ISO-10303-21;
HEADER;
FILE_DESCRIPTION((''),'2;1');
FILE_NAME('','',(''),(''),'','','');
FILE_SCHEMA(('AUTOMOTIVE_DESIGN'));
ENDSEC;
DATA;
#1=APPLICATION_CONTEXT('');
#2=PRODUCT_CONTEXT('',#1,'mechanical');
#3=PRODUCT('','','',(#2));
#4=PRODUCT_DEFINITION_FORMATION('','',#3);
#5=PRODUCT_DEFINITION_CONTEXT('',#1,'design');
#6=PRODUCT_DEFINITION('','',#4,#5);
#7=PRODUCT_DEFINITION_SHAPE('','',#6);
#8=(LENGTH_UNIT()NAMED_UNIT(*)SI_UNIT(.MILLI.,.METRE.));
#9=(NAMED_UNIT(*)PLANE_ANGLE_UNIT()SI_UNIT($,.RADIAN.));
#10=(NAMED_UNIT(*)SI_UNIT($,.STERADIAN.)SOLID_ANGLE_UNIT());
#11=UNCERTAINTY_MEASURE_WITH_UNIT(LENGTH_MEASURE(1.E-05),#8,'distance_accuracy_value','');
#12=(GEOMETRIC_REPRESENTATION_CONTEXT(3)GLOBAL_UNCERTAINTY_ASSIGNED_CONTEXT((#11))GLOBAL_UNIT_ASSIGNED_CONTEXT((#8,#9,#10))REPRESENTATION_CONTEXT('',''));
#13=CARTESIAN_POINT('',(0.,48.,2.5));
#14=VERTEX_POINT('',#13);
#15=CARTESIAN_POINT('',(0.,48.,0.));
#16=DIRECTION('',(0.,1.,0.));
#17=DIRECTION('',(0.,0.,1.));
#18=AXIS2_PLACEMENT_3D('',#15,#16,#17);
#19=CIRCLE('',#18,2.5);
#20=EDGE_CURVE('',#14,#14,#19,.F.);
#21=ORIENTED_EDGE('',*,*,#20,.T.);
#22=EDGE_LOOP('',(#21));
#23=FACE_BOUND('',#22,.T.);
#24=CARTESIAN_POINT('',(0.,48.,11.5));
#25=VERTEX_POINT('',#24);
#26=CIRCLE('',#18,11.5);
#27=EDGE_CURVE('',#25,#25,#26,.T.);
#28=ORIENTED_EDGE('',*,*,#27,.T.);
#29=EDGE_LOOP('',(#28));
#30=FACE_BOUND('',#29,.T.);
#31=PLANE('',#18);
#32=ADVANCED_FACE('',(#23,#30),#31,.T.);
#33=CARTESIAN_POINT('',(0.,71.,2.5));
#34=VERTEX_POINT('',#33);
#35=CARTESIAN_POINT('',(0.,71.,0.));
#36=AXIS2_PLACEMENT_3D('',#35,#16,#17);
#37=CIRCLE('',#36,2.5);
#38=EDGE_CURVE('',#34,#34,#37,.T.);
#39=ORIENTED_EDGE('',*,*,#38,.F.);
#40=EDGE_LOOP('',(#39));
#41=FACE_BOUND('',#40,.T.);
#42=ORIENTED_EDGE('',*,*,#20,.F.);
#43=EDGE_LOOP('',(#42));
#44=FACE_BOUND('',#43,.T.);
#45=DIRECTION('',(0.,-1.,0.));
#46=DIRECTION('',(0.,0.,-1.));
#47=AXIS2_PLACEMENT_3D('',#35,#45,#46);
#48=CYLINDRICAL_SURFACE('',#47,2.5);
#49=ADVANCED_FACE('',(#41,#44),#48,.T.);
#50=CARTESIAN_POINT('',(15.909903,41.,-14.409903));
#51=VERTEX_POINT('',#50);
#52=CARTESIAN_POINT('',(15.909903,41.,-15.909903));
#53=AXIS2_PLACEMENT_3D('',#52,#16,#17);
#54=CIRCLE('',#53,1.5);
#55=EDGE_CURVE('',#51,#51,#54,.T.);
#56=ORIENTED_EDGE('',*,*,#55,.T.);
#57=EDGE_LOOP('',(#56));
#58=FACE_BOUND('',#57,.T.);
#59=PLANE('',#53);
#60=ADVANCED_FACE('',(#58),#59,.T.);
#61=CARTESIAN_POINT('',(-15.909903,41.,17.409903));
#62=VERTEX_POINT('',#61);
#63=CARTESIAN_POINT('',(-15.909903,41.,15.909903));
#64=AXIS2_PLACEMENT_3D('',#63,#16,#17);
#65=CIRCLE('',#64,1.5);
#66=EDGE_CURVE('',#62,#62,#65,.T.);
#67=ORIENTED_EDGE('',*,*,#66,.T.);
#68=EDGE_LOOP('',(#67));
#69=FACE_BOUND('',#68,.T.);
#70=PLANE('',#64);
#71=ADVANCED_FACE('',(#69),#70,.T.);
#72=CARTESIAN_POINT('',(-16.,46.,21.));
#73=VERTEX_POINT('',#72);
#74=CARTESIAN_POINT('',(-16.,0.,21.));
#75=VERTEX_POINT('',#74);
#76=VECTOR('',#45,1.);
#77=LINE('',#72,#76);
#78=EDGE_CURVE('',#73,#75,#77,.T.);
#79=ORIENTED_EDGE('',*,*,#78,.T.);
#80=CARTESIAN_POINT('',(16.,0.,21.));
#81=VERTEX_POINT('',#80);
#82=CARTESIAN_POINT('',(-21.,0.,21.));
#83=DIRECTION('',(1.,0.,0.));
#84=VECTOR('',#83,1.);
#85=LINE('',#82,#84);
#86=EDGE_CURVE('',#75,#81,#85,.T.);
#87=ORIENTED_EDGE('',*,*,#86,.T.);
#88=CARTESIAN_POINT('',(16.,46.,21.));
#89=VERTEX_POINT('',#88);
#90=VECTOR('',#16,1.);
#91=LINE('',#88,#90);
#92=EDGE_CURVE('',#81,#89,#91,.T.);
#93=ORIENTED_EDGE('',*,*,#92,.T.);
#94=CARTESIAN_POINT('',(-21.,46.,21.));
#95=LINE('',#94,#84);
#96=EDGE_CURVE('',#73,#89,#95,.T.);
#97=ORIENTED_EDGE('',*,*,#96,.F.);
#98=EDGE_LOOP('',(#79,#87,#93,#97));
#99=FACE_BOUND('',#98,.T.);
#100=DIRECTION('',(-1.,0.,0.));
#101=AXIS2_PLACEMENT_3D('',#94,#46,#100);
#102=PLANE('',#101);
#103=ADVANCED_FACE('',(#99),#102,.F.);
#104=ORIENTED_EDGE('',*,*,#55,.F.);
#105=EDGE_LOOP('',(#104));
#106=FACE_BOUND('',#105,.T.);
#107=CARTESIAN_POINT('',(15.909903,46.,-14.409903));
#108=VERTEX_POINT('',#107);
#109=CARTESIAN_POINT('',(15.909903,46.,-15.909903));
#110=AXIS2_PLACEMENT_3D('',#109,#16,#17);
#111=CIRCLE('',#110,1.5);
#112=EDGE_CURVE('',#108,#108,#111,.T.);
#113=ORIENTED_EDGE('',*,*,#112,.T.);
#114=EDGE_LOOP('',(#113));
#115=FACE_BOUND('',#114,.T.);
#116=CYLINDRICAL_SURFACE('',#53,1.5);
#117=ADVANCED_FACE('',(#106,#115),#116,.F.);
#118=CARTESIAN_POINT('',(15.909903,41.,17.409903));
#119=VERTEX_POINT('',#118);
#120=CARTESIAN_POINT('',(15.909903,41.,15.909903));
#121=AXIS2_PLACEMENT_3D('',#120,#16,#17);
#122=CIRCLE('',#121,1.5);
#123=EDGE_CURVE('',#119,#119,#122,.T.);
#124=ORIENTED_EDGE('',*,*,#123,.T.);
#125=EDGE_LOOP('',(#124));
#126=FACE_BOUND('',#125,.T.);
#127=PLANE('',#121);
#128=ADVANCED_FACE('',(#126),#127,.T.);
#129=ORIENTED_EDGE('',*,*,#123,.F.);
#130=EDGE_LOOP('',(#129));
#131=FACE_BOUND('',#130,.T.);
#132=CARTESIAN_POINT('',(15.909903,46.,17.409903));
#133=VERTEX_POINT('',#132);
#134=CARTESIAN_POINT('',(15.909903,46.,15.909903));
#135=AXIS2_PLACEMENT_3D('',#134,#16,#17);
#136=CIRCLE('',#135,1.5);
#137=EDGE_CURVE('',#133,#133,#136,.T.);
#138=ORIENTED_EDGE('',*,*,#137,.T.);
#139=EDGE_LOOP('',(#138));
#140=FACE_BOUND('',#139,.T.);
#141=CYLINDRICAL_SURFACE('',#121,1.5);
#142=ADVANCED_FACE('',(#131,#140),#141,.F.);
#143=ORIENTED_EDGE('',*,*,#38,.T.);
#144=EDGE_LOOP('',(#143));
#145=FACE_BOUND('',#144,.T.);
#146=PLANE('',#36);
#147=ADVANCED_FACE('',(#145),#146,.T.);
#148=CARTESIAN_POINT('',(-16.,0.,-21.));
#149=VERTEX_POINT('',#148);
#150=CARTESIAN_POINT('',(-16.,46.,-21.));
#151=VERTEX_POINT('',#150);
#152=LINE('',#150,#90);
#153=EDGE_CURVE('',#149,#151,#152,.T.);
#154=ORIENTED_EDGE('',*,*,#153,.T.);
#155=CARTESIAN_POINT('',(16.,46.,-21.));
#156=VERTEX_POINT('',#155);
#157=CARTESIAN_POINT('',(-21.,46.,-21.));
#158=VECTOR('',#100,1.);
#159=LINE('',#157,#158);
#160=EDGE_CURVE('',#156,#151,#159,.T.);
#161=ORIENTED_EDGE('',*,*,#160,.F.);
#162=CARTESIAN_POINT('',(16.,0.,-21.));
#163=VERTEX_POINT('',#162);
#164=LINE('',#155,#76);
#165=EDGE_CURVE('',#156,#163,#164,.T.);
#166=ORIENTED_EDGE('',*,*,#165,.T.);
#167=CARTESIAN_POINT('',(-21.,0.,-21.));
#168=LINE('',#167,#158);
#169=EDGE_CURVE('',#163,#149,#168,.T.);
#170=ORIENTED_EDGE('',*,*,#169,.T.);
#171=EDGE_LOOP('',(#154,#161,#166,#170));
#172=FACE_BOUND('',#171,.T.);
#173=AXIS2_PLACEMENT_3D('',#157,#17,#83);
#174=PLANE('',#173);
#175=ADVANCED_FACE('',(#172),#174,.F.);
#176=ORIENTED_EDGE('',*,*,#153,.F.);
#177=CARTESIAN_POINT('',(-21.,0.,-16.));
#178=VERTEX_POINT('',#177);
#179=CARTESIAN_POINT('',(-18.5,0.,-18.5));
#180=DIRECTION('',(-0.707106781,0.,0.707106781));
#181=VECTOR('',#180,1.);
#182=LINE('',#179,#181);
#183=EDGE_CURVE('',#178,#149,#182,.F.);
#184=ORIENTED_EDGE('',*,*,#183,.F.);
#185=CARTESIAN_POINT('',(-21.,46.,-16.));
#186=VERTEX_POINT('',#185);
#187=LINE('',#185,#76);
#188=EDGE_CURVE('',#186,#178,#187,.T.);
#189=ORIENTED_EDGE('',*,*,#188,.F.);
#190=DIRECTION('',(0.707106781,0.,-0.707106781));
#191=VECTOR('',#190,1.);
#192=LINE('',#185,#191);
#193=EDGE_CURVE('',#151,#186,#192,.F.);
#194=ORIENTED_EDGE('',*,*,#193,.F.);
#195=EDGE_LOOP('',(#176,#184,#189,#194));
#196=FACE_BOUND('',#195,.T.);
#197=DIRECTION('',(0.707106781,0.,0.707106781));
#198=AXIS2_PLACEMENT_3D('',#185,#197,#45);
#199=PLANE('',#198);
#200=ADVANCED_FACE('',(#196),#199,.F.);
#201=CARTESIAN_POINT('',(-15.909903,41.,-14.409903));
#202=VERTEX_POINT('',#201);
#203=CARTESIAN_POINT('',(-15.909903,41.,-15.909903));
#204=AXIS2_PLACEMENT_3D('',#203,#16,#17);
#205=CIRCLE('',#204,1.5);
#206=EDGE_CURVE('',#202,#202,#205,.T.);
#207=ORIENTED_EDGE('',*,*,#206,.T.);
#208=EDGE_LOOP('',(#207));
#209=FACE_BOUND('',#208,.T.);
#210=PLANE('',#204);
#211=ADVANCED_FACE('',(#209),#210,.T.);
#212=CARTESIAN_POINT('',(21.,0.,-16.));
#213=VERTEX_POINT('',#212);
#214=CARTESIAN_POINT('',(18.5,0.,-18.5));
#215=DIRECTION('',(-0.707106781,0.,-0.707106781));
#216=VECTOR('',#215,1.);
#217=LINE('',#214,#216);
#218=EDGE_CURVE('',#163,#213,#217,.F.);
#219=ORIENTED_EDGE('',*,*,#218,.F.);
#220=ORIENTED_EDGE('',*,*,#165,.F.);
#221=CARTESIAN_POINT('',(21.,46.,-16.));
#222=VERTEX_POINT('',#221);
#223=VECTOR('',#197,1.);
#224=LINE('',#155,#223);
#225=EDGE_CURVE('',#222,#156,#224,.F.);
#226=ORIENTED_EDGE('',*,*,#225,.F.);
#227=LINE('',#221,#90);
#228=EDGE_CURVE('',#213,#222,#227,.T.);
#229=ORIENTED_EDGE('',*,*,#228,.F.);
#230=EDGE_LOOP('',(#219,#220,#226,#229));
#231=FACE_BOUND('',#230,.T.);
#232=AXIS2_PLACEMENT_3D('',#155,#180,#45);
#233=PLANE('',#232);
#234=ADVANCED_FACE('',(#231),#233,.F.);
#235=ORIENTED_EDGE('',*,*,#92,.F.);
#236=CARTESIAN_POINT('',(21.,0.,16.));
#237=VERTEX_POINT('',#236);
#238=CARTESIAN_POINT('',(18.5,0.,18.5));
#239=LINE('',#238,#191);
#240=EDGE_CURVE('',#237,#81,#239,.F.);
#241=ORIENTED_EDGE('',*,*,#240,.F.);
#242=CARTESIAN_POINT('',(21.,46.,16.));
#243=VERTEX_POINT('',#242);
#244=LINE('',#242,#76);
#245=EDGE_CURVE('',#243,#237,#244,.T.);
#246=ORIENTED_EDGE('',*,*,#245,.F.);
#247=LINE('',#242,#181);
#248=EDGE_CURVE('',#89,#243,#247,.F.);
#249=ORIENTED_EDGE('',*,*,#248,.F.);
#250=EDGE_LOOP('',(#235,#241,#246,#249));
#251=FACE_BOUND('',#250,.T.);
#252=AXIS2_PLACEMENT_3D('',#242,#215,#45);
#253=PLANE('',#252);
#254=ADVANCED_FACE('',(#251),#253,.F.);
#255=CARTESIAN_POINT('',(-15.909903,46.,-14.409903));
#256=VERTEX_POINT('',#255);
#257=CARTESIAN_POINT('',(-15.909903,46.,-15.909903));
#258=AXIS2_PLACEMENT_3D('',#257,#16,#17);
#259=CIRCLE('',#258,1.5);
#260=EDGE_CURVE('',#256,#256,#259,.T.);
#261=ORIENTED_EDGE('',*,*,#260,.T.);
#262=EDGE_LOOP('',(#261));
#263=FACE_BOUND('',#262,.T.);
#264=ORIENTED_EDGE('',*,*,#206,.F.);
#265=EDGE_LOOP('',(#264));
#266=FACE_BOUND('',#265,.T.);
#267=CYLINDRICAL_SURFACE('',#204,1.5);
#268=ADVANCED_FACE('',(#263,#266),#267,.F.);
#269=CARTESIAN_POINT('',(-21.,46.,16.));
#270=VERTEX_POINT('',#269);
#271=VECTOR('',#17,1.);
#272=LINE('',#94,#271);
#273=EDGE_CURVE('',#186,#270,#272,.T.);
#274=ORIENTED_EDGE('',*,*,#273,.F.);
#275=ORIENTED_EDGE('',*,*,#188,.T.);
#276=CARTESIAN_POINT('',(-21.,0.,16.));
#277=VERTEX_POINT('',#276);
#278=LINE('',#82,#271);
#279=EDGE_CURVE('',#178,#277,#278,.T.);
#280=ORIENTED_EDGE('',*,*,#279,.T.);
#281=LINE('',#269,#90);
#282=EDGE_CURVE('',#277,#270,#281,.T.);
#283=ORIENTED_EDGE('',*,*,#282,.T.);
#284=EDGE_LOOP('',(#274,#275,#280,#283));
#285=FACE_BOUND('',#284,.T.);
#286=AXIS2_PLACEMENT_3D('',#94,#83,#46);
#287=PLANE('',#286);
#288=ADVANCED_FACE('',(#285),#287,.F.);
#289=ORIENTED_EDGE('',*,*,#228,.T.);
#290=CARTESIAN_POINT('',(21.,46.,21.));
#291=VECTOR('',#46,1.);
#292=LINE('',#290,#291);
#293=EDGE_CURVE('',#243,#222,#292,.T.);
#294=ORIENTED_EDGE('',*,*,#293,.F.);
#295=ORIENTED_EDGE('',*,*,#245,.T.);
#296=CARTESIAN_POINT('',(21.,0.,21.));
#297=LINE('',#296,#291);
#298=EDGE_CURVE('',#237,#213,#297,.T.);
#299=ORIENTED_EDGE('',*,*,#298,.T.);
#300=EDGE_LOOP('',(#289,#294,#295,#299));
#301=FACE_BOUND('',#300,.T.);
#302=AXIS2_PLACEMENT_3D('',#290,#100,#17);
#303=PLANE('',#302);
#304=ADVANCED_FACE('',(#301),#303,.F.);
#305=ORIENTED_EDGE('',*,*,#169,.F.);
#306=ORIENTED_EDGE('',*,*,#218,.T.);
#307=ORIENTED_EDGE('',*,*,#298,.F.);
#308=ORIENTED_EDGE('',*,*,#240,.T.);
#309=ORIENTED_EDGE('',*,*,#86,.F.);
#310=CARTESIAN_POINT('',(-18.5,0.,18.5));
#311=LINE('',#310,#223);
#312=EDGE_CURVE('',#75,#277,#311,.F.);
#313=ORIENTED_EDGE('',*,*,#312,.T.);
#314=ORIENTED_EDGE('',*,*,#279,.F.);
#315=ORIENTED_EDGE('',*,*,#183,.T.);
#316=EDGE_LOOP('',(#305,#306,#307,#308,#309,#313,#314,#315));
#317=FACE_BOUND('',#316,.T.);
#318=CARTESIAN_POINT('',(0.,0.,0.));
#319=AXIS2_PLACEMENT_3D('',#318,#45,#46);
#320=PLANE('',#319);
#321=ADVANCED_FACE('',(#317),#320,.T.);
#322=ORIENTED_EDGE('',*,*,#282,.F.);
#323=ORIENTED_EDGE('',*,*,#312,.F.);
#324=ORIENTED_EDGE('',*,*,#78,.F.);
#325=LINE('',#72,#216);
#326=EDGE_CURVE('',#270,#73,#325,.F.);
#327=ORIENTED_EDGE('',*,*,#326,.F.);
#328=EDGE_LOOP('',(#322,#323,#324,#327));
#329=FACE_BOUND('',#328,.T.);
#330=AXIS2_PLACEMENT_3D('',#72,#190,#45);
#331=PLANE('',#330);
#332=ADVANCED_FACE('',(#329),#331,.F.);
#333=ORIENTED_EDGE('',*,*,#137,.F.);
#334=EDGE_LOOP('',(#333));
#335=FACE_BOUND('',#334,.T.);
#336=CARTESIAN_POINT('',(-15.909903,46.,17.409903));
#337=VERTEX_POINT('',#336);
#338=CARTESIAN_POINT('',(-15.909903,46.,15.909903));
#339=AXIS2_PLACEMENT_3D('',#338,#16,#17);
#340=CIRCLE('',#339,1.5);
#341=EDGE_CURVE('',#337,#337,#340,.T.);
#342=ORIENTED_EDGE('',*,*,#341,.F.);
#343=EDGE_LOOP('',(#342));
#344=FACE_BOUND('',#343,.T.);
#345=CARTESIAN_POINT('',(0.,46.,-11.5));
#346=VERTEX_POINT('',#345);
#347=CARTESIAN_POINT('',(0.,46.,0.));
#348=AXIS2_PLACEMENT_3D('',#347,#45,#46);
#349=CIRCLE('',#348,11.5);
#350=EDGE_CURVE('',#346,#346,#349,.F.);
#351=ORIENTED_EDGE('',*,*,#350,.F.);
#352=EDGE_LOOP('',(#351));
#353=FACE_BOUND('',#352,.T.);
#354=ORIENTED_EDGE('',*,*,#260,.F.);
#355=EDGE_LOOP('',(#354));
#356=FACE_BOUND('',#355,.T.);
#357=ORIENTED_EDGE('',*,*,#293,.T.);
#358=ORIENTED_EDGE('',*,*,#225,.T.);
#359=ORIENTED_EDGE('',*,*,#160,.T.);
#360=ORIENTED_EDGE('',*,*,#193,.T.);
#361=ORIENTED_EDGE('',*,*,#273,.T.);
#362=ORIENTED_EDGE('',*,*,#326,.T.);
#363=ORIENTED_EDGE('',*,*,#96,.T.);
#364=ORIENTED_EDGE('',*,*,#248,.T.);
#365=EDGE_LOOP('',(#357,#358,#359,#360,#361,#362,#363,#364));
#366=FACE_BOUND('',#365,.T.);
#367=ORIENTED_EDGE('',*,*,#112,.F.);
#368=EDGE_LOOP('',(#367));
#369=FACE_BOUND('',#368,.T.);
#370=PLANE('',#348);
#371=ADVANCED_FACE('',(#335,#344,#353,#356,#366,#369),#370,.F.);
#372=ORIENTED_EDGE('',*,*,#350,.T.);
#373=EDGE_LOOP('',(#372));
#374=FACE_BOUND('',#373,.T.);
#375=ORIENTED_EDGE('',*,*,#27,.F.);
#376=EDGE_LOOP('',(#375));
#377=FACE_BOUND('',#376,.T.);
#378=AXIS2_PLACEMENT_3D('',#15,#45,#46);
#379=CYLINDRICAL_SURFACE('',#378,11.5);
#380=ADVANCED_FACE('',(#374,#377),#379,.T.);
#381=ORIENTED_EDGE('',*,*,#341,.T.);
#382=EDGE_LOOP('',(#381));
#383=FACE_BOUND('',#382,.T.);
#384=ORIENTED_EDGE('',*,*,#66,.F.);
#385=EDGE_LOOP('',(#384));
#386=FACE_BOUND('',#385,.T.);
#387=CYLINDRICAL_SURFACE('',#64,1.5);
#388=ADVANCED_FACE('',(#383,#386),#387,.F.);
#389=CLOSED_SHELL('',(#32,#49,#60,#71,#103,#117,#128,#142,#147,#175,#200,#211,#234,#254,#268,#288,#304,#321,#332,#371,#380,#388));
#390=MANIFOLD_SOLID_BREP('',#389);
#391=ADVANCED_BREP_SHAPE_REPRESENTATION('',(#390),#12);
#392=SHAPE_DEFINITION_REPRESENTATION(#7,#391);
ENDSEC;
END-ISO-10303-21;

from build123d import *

# Parameters (mm, degrees)
SKETCH1_W           = 42
SKETCH1_H           = 42
BOSS_EXTRUDE1_DEPTH = 46
CHAMFER1_SIZE       = 5
SKETCH2_R           = 11.5
BOSS_EXTRUDE2_DEPTH = 2
SKETCH3_R           = 2.5
BOSS_EXTRUDE3_DEPTH = 25
SKETCH4_R           = 1.5
CUT_EXTRUDE1_DEPTH  = 5


with BuildPart() as part:
    # Sketch1 → Boss-Extrude1 (new body)
    with BuildSketch(Plane(origin=(0, 0, 0), x_dir=(1, 0, 0), z_dir=(0, 1, 0))):
        Rectangle(SKETCH1_W, SKETCH1_H)
    extrude(amount=BOSS_EXTRUDE1_DEPTH)

    # Chamfer1
    chamfer1_edges = [part.edges().sort_by_distance(p)[0] for p in [
        (21, 23, 21),
        (-21, 23, 21),
        (-21, 23, -21),
        (21, 23, -21),
    ]]
    chamfer(chamfer1_edges, length=CHAMFER1_SIZE)

    # Sketch2 → Boss-Extrude2 (add)
    with BuildSketch(Plane(origin=(0, 46, 0), x_dir=(1, 0, 0), z_dir=(0, 1, 0))):
        with Locations(Location((0, 0, 0), (0, 0, 90))):
            Circle(SKETCH2_R)
    extrude(amount=BOSS_EXTRUDE2_DEPTH)

    # Sketch3 → Boss-Extrude3 (add)
    with BuildSketch(Plane(origin=(0, 46, 0), x_dir=(1, 0, 0), z_dir=(0, 1, 0))):
        with Locations(Location((0, 0, 0), (0, 0, 270))):
            Circle(SKETCH3_R)
    extrude(amount=BOSS_EXTRUDE3_DEPTH)

    # Sketch4 → Cut-Extrude1 (cut)
    with BuildSketch(Plane(origin=(0, 46, 0), x_dir=(1, 0, 0), z_dir=(0, 1, 0))):
        with Locations(Location((-15.909902577, 15.909902577, 0), (0, 0, 270))):
            Circle(SKETCH4_R)
        with Locations(Location((15.909902577, 15.909902577, 0), (0, 0, 270))):
            Circle(SKETCH4_R)
        with Locations(Location((15.909902577, -15.909902577, 0), (0, 0, 270))):
            Circle(SKETCH4_R)
        with Locations(Location((-15.909902577, -15.909902577, 0), (0, 0, 270))):
            Circle(SKETCH4_R)
    extrude(amount=-CUT_EXTRUDE1_DEPTH, mode=Mode.SUBTRACT)


solid = part.part
